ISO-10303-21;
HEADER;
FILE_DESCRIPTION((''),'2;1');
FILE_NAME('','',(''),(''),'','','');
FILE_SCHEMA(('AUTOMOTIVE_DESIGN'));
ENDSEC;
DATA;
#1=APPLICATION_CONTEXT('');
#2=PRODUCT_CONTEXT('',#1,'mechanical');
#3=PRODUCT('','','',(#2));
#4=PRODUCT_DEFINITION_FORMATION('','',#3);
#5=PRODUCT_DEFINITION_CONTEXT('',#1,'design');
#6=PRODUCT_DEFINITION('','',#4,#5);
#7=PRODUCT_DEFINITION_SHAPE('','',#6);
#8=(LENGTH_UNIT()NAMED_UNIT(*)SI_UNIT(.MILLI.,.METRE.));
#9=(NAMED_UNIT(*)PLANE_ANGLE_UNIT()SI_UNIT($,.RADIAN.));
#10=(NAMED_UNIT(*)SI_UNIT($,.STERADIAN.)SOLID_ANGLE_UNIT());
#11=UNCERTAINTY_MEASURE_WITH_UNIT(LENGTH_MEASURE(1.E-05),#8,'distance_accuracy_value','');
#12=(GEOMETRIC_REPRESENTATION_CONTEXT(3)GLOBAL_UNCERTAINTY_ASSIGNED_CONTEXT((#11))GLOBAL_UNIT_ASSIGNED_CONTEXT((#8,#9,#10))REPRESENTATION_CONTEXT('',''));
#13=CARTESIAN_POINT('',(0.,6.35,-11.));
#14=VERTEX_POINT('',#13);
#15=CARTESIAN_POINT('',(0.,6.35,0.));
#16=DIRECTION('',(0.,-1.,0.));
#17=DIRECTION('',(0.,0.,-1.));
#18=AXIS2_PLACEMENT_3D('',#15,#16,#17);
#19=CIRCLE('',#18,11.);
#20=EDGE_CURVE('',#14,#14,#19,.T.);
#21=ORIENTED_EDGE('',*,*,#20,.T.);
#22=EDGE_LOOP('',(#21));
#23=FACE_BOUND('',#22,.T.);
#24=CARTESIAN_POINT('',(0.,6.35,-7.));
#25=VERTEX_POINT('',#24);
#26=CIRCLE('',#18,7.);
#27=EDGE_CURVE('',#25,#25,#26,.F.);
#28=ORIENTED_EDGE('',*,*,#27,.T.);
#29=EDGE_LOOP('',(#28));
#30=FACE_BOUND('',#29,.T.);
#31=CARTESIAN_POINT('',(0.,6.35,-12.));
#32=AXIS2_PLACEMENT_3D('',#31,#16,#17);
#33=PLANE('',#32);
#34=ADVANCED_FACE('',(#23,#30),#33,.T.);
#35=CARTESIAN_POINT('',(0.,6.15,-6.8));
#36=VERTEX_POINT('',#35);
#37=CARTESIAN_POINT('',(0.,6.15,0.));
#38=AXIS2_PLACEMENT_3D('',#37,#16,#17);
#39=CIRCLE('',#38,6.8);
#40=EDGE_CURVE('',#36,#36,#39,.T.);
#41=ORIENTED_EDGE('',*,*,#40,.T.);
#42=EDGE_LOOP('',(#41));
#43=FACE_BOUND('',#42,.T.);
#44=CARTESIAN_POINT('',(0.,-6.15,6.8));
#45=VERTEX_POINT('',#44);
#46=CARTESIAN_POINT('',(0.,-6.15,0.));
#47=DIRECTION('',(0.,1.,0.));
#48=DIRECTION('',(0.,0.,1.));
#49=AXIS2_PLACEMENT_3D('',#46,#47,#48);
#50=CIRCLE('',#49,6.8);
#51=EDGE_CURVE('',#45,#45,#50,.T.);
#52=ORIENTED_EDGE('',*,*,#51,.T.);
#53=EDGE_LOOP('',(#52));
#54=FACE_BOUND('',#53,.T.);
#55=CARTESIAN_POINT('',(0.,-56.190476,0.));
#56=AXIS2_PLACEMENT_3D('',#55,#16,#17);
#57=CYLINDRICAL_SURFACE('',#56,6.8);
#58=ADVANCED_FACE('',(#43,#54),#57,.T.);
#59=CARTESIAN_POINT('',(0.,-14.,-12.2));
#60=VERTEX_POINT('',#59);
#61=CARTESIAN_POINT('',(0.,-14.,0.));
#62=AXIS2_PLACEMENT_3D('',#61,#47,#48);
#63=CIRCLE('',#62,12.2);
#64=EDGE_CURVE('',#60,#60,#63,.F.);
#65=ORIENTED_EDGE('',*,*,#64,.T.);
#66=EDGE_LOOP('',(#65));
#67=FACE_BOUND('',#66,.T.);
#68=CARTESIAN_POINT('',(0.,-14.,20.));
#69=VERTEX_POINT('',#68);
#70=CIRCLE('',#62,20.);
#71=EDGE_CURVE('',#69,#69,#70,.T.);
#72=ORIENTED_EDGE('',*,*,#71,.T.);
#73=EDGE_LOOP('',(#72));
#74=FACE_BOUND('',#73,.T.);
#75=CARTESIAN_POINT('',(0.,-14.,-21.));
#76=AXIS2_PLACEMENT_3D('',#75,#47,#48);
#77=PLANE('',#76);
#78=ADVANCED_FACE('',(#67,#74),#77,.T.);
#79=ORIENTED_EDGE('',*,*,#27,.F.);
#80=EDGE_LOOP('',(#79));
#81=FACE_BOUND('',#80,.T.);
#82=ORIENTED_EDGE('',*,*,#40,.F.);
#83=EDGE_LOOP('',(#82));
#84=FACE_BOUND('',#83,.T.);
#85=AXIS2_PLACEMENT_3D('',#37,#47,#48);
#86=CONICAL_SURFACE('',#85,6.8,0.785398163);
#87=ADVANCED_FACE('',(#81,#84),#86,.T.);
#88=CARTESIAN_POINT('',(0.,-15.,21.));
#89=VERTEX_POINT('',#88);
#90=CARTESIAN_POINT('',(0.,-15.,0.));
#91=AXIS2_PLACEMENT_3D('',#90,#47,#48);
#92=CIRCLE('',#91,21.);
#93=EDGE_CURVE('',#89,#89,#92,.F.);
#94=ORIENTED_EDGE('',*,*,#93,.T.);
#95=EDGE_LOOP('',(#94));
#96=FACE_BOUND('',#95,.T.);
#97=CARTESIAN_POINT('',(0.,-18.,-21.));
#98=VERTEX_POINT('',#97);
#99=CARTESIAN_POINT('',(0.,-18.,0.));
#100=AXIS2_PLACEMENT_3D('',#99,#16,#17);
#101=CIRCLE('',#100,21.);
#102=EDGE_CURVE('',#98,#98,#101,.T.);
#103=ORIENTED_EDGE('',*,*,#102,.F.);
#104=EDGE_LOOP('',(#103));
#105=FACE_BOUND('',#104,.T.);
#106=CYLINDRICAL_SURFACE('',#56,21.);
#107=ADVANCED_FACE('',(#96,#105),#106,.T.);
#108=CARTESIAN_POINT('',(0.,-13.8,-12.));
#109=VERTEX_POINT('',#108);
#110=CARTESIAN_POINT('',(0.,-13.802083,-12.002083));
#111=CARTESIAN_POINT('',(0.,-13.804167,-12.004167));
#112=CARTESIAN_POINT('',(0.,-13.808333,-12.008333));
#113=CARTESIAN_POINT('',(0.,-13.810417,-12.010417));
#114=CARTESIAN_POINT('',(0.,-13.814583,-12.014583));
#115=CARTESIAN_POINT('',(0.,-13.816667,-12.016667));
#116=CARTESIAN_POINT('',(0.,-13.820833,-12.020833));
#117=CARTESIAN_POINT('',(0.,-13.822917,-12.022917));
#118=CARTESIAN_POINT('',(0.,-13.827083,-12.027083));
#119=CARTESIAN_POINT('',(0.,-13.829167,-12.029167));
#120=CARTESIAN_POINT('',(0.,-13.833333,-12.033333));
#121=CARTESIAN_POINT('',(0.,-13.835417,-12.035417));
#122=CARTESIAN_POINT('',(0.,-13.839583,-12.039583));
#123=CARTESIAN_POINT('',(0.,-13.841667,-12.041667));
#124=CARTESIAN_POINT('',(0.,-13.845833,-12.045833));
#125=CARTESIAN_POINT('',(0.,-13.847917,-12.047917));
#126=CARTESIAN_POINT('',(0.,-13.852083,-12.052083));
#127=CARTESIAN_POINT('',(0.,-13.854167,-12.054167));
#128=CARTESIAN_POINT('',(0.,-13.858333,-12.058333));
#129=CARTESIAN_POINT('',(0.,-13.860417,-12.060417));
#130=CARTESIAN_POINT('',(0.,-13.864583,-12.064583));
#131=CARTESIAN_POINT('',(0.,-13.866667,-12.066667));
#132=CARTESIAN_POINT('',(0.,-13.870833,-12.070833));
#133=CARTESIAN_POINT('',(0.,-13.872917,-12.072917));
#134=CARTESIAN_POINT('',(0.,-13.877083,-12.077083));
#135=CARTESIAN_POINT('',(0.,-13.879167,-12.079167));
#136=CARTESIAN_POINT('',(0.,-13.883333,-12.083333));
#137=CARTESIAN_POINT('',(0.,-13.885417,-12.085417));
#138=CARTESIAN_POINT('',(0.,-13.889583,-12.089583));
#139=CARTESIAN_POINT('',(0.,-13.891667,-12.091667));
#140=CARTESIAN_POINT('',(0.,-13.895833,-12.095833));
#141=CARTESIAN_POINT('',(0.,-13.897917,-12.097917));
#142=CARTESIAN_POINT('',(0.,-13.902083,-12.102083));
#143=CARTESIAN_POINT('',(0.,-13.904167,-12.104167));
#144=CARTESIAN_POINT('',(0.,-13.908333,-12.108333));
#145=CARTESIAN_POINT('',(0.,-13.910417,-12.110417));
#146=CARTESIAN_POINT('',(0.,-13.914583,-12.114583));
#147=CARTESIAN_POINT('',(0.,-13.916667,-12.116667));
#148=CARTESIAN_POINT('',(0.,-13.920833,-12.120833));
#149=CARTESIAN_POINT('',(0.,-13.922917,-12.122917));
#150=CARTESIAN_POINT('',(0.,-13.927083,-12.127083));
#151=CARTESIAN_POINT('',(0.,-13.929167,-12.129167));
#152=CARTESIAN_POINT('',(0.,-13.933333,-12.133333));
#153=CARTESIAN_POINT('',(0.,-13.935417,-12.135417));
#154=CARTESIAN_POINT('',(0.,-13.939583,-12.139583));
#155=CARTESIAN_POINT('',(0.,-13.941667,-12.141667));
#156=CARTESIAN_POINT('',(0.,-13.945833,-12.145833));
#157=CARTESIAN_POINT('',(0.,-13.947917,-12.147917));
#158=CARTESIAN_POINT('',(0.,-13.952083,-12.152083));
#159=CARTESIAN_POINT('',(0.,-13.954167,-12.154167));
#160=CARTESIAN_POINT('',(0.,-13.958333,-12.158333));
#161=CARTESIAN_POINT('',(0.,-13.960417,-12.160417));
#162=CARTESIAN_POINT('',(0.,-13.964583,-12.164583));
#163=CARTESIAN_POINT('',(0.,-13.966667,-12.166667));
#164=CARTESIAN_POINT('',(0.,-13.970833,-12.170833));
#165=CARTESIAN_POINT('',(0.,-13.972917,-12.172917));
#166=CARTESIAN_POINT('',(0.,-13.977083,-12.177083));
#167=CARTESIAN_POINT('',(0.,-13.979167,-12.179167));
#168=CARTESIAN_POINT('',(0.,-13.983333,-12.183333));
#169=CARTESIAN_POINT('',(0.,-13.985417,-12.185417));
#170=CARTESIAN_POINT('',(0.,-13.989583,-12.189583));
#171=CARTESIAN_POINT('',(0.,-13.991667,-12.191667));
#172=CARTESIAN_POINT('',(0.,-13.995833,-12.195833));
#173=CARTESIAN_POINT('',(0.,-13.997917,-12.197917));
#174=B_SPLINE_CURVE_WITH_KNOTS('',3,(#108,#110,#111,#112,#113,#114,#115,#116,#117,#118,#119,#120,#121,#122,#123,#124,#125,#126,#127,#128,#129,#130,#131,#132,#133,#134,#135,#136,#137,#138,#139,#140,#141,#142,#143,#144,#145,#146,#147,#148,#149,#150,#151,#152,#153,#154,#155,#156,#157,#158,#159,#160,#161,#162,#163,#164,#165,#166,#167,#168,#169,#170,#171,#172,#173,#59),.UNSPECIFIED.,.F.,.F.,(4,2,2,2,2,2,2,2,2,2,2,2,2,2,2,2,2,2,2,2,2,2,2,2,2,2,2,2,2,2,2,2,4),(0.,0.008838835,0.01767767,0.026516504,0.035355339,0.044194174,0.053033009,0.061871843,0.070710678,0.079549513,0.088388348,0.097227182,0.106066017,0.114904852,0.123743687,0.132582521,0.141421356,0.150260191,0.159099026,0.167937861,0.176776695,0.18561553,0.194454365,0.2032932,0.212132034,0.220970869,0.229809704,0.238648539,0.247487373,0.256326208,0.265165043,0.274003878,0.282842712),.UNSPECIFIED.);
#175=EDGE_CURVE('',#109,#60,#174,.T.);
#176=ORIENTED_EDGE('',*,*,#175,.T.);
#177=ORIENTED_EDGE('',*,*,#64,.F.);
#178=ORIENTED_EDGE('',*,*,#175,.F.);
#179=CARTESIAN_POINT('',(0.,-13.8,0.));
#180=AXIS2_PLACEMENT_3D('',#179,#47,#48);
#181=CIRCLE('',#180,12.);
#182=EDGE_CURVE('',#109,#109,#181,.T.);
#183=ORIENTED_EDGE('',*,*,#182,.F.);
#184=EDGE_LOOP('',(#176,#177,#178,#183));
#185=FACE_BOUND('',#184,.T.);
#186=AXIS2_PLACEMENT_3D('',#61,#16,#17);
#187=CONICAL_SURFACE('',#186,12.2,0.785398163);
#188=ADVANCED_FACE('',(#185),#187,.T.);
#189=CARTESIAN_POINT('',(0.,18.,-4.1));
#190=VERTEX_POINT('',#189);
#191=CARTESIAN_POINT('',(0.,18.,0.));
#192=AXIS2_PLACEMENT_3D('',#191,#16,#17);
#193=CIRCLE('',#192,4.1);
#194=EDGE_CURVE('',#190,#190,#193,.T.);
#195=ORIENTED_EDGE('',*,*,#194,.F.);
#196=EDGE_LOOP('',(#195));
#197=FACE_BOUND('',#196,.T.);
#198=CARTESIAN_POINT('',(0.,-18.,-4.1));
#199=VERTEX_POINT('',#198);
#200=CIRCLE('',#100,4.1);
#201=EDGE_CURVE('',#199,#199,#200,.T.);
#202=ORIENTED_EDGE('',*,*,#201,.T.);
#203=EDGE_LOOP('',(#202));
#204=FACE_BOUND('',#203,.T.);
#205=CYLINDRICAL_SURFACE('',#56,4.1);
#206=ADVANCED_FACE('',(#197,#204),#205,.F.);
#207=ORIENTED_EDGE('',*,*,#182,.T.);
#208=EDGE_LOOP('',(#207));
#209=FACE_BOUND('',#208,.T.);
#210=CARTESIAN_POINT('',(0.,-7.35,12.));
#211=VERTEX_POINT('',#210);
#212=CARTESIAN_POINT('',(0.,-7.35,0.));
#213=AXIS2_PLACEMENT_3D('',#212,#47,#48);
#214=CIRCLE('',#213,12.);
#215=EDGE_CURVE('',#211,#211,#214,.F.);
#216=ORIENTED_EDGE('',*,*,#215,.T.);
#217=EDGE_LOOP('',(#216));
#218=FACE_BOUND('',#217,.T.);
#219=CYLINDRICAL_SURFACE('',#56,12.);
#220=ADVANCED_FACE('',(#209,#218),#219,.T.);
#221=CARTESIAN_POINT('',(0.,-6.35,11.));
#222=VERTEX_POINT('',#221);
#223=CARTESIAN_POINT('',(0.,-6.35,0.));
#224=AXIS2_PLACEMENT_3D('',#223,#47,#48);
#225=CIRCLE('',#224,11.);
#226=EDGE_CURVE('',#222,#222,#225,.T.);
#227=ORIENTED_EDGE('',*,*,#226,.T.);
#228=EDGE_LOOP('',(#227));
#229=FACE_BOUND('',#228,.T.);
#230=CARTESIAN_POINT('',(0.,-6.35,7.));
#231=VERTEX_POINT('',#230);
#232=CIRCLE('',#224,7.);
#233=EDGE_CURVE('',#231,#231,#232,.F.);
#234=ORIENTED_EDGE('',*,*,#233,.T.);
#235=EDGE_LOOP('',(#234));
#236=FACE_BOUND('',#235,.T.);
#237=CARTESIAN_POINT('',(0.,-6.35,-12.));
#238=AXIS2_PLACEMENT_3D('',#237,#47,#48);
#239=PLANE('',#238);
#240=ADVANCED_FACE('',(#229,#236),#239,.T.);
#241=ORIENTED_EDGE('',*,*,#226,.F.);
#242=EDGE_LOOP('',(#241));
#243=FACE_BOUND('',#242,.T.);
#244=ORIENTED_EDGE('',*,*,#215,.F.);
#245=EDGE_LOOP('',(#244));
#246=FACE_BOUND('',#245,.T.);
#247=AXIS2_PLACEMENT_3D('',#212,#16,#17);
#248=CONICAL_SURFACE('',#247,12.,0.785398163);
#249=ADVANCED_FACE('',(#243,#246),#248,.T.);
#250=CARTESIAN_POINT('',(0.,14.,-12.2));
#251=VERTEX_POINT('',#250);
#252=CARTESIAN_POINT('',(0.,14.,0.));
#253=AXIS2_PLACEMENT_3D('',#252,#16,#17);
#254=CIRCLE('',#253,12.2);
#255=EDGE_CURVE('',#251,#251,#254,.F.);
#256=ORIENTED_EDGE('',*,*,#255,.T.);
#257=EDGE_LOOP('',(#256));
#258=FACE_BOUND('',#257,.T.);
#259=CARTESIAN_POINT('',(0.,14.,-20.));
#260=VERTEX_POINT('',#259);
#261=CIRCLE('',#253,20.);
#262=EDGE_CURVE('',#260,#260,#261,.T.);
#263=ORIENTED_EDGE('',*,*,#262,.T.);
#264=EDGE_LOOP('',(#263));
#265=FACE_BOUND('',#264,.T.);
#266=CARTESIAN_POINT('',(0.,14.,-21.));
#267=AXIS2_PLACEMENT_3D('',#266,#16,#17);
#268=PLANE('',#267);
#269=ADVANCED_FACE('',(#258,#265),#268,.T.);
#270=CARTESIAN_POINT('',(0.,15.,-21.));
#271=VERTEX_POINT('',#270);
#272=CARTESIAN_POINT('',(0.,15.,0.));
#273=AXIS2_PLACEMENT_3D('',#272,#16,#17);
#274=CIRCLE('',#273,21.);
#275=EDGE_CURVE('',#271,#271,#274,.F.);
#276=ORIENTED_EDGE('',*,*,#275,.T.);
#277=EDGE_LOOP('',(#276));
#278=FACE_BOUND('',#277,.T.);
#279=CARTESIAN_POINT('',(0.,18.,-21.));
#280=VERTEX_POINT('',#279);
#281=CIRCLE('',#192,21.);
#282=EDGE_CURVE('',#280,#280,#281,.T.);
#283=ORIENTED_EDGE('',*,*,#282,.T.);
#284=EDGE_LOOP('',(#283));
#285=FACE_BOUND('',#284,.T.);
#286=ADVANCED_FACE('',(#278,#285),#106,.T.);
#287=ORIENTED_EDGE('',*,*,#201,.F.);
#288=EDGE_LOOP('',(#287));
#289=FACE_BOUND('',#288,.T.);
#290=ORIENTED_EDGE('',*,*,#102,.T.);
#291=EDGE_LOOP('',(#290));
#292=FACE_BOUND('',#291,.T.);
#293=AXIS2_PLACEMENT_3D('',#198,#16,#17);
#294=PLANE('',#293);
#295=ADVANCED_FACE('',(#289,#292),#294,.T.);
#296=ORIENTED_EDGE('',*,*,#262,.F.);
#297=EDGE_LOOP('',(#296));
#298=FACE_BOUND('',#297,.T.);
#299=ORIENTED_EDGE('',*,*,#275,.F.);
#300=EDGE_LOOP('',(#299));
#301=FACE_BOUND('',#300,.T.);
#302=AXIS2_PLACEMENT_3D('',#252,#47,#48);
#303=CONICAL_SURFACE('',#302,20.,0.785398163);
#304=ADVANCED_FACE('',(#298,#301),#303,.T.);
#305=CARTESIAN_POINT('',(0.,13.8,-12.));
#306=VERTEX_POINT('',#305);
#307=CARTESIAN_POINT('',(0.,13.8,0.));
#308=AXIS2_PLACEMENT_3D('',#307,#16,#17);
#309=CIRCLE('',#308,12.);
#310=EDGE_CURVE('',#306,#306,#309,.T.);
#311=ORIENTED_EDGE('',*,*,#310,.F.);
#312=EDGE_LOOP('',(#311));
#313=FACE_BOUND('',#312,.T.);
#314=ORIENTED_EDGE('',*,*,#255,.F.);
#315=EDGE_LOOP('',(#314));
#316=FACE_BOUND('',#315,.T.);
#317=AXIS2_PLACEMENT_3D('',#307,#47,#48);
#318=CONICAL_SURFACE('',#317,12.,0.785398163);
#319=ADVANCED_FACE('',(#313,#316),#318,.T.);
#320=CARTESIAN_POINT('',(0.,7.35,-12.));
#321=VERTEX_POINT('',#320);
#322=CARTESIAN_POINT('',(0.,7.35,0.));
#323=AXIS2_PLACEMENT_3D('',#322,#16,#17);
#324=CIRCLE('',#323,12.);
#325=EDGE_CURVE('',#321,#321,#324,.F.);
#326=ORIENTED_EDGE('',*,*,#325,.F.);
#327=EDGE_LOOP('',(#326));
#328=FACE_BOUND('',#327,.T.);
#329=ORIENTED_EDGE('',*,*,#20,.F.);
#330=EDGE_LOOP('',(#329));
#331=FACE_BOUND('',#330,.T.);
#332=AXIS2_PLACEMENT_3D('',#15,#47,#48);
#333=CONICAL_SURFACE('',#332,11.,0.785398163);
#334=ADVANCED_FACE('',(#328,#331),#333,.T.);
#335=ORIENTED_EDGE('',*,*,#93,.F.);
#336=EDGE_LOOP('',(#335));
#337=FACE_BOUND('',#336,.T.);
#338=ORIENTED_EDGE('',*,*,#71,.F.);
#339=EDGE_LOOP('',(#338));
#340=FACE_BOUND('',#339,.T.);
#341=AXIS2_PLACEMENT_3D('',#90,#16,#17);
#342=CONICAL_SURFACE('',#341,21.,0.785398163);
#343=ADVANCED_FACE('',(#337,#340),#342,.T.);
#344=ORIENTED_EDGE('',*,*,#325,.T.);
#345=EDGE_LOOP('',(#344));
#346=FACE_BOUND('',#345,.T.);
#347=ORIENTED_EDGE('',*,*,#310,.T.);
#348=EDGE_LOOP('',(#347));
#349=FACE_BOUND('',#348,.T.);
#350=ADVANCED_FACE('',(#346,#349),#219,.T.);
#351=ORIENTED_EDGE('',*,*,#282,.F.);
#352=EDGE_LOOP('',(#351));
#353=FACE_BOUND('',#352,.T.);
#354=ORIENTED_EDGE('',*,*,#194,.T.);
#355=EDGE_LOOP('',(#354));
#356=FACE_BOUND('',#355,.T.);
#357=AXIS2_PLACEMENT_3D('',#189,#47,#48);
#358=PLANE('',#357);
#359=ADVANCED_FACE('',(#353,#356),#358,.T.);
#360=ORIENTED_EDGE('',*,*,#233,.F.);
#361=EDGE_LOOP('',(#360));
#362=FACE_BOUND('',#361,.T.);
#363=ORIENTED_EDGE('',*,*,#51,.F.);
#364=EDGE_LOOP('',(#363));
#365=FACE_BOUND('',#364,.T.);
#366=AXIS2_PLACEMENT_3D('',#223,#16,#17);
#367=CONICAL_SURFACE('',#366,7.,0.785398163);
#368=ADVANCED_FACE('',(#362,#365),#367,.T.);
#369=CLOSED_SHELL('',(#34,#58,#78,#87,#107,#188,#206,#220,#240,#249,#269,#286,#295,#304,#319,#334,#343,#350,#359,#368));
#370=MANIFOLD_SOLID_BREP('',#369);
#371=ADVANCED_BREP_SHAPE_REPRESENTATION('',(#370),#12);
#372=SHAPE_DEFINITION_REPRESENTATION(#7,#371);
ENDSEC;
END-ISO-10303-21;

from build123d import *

# Parameters (mm, degrees)
CHAMFER1_SIZE = 1
CHAMFER2_SIZE = 0.2


with BuildPart() as part:
    # Sketch1 → Revolve1 (revolve)
    with BuildSketch(Plane(origin=(0, 0, 0), x_dir=(0, 0, -1), z_dir=(1, 0, 0))):
        Polygon((4.1, 18), (21, 18), (21, 14), (12, 14), (12, 6.35), (6.8, 6.35), (6.8, -6.35), (12, -6.35), (12, -14), (21, -14), (21, -18), (4.1, -18), align=None)
    revolve(axis=Axis((0, -56.19047619, 0), (0, 1, 0)))

    # Chamfer1
    chamfer1_edges = [part.edges().sort_by_distance(p)[0] for p in [
        (0, -14, 21),
        (0, 14, 21),
        (0, 6.35, 12),
        (0, -6.35, 12),
    ]]
    chamfer(chamfer1_edges, length=CHAMFER1_SIZE)

    # Chamfer2
    chamfer2_edges = [part.edges().sort_by_distance(p)[0] for p in [
        (0, 14, 12),
        (0, 6.35, 6.8),
        (0, -6.35, 6.8),
        (0, -14, 12),
    ]]
    chamfer(chamfer2_edges, length=CHAMFER2_SIZE)


solid = part.part
